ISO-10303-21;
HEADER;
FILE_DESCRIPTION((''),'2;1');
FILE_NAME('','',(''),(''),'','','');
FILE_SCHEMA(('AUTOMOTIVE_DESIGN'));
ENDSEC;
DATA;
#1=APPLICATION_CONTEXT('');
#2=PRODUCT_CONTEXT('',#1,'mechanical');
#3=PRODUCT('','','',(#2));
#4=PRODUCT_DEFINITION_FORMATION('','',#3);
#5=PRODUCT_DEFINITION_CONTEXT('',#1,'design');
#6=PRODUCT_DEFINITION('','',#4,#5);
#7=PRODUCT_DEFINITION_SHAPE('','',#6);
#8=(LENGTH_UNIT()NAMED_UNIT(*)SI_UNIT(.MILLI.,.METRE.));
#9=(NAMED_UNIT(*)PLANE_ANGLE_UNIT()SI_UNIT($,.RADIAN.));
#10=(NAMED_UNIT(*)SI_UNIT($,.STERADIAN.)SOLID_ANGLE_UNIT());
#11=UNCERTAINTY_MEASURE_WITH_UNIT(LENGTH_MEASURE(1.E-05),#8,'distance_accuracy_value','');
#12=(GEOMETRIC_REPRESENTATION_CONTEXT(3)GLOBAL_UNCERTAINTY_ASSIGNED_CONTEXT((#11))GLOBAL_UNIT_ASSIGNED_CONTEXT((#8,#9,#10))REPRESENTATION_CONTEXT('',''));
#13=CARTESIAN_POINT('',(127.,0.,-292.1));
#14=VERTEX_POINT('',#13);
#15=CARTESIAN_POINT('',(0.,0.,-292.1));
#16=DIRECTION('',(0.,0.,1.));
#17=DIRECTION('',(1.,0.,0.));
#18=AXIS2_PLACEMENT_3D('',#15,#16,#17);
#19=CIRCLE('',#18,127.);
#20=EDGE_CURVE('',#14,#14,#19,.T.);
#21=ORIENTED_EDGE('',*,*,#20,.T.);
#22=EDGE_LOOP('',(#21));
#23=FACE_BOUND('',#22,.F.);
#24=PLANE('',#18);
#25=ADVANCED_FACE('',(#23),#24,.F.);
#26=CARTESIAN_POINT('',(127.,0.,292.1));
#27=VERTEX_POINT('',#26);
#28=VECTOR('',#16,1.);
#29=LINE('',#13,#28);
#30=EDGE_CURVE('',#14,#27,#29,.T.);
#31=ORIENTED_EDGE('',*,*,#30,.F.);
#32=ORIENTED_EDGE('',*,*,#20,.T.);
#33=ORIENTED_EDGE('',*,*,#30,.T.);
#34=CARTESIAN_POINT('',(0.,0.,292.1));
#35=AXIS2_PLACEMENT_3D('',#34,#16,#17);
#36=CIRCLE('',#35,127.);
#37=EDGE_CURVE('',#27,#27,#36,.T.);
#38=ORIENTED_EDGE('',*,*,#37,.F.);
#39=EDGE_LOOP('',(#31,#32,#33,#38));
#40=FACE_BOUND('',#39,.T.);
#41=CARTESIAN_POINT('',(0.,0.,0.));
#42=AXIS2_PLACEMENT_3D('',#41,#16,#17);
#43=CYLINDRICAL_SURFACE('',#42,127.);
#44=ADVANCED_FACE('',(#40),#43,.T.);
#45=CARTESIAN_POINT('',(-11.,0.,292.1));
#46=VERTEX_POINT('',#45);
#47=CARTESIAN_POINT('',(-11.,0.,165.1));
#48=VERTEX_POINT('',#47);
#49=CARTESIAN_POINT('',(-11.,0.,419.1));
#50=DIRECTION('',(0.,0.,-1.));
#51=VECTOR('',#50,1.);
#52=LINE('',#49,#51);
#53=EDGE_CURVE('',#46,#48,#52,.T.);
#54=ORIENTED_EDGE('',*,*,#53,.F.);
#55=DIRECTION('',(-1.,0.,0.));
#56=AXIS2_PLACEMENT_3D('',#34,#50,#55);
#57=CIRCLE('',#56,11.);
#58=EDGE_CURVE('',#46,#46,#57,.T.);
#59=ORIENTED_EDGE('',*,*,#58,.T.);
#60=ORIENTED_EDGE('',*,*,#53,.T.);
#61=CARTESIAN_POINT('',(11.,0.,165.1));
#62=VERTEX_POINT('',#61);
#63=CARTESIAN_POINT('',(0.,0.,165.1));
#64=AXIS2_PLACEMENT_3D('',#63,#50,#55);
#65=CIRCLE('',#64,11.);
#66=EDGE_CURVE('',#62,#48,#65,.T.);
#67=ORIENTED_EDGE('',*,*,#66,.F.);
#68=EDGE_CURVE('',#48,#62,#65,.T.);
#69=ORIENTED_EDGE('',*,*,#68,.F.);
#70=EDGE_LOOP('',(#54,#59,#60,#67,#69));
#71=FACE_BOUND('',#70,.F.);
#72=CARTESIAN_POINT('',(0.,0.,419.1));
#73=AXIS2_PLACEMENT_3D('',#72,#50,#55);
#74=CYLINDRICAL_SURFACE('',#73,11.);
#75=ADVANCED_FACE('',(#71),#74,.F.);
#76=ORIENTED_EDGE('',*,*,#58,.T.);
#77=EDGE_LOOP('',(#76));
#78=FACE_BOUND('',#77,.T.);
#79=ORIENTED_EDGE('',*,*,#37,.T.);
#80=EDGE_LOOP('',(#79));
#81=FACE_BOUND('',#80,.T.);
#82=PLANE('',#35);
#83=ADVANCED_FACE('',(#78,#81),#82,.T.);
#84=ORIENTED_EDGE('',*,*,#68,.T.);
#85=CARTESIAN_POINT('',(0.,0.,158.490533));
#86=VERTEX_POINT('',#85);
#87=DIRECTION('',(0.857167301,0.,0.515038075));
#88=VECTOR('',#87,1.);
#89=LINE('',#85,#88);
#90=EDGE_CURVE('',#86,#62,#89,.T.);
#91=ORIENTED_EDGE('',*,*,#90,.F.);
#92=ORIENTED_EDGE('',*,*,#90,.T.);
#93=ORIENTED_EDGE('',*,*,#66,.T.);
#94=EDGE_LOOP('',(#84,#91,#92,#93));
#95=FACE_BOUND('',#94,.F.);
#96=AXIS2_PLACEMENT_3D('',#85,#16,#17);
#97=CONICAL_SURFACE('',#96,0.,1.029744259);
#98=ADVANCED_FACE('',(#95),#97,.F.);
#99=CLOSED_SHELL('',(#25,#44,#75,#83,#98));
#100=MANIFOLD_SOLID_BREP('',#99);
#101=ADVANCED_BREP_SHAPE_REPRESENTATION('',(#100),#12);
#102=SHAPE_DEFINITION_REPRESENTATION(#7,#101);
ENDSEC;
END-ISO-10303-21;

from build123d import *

# Parameters (mm, degrees)
F0_R     = 127
F1_DEPTH = 292.1
F3_D     = 22
F3_DEPTH = 127
F3_TIP   = 6.6094668093


with BuildPart() as f1:
    # F0 (on Top) → F1 (new body, symmetric)
    with BuildSketch(Plane.XY):
        Circle(F0_R)
    extrude(amount=F1_DEPTH, both=True)

    # F3
    with Locations(Plane.XY.offset(292.1)):
        with Locations((0, 0)):
            Hole(F3_D / 2, depth=F3_DEPTH)
            with Locations((0, 0, -(F3_DEPTH + F3_TIP / 2))):  # 118° drill point
                Cone(0, F3_D / 2, F3_TIP, mode=Mode.SUBTRACT)


solid = f1.part
